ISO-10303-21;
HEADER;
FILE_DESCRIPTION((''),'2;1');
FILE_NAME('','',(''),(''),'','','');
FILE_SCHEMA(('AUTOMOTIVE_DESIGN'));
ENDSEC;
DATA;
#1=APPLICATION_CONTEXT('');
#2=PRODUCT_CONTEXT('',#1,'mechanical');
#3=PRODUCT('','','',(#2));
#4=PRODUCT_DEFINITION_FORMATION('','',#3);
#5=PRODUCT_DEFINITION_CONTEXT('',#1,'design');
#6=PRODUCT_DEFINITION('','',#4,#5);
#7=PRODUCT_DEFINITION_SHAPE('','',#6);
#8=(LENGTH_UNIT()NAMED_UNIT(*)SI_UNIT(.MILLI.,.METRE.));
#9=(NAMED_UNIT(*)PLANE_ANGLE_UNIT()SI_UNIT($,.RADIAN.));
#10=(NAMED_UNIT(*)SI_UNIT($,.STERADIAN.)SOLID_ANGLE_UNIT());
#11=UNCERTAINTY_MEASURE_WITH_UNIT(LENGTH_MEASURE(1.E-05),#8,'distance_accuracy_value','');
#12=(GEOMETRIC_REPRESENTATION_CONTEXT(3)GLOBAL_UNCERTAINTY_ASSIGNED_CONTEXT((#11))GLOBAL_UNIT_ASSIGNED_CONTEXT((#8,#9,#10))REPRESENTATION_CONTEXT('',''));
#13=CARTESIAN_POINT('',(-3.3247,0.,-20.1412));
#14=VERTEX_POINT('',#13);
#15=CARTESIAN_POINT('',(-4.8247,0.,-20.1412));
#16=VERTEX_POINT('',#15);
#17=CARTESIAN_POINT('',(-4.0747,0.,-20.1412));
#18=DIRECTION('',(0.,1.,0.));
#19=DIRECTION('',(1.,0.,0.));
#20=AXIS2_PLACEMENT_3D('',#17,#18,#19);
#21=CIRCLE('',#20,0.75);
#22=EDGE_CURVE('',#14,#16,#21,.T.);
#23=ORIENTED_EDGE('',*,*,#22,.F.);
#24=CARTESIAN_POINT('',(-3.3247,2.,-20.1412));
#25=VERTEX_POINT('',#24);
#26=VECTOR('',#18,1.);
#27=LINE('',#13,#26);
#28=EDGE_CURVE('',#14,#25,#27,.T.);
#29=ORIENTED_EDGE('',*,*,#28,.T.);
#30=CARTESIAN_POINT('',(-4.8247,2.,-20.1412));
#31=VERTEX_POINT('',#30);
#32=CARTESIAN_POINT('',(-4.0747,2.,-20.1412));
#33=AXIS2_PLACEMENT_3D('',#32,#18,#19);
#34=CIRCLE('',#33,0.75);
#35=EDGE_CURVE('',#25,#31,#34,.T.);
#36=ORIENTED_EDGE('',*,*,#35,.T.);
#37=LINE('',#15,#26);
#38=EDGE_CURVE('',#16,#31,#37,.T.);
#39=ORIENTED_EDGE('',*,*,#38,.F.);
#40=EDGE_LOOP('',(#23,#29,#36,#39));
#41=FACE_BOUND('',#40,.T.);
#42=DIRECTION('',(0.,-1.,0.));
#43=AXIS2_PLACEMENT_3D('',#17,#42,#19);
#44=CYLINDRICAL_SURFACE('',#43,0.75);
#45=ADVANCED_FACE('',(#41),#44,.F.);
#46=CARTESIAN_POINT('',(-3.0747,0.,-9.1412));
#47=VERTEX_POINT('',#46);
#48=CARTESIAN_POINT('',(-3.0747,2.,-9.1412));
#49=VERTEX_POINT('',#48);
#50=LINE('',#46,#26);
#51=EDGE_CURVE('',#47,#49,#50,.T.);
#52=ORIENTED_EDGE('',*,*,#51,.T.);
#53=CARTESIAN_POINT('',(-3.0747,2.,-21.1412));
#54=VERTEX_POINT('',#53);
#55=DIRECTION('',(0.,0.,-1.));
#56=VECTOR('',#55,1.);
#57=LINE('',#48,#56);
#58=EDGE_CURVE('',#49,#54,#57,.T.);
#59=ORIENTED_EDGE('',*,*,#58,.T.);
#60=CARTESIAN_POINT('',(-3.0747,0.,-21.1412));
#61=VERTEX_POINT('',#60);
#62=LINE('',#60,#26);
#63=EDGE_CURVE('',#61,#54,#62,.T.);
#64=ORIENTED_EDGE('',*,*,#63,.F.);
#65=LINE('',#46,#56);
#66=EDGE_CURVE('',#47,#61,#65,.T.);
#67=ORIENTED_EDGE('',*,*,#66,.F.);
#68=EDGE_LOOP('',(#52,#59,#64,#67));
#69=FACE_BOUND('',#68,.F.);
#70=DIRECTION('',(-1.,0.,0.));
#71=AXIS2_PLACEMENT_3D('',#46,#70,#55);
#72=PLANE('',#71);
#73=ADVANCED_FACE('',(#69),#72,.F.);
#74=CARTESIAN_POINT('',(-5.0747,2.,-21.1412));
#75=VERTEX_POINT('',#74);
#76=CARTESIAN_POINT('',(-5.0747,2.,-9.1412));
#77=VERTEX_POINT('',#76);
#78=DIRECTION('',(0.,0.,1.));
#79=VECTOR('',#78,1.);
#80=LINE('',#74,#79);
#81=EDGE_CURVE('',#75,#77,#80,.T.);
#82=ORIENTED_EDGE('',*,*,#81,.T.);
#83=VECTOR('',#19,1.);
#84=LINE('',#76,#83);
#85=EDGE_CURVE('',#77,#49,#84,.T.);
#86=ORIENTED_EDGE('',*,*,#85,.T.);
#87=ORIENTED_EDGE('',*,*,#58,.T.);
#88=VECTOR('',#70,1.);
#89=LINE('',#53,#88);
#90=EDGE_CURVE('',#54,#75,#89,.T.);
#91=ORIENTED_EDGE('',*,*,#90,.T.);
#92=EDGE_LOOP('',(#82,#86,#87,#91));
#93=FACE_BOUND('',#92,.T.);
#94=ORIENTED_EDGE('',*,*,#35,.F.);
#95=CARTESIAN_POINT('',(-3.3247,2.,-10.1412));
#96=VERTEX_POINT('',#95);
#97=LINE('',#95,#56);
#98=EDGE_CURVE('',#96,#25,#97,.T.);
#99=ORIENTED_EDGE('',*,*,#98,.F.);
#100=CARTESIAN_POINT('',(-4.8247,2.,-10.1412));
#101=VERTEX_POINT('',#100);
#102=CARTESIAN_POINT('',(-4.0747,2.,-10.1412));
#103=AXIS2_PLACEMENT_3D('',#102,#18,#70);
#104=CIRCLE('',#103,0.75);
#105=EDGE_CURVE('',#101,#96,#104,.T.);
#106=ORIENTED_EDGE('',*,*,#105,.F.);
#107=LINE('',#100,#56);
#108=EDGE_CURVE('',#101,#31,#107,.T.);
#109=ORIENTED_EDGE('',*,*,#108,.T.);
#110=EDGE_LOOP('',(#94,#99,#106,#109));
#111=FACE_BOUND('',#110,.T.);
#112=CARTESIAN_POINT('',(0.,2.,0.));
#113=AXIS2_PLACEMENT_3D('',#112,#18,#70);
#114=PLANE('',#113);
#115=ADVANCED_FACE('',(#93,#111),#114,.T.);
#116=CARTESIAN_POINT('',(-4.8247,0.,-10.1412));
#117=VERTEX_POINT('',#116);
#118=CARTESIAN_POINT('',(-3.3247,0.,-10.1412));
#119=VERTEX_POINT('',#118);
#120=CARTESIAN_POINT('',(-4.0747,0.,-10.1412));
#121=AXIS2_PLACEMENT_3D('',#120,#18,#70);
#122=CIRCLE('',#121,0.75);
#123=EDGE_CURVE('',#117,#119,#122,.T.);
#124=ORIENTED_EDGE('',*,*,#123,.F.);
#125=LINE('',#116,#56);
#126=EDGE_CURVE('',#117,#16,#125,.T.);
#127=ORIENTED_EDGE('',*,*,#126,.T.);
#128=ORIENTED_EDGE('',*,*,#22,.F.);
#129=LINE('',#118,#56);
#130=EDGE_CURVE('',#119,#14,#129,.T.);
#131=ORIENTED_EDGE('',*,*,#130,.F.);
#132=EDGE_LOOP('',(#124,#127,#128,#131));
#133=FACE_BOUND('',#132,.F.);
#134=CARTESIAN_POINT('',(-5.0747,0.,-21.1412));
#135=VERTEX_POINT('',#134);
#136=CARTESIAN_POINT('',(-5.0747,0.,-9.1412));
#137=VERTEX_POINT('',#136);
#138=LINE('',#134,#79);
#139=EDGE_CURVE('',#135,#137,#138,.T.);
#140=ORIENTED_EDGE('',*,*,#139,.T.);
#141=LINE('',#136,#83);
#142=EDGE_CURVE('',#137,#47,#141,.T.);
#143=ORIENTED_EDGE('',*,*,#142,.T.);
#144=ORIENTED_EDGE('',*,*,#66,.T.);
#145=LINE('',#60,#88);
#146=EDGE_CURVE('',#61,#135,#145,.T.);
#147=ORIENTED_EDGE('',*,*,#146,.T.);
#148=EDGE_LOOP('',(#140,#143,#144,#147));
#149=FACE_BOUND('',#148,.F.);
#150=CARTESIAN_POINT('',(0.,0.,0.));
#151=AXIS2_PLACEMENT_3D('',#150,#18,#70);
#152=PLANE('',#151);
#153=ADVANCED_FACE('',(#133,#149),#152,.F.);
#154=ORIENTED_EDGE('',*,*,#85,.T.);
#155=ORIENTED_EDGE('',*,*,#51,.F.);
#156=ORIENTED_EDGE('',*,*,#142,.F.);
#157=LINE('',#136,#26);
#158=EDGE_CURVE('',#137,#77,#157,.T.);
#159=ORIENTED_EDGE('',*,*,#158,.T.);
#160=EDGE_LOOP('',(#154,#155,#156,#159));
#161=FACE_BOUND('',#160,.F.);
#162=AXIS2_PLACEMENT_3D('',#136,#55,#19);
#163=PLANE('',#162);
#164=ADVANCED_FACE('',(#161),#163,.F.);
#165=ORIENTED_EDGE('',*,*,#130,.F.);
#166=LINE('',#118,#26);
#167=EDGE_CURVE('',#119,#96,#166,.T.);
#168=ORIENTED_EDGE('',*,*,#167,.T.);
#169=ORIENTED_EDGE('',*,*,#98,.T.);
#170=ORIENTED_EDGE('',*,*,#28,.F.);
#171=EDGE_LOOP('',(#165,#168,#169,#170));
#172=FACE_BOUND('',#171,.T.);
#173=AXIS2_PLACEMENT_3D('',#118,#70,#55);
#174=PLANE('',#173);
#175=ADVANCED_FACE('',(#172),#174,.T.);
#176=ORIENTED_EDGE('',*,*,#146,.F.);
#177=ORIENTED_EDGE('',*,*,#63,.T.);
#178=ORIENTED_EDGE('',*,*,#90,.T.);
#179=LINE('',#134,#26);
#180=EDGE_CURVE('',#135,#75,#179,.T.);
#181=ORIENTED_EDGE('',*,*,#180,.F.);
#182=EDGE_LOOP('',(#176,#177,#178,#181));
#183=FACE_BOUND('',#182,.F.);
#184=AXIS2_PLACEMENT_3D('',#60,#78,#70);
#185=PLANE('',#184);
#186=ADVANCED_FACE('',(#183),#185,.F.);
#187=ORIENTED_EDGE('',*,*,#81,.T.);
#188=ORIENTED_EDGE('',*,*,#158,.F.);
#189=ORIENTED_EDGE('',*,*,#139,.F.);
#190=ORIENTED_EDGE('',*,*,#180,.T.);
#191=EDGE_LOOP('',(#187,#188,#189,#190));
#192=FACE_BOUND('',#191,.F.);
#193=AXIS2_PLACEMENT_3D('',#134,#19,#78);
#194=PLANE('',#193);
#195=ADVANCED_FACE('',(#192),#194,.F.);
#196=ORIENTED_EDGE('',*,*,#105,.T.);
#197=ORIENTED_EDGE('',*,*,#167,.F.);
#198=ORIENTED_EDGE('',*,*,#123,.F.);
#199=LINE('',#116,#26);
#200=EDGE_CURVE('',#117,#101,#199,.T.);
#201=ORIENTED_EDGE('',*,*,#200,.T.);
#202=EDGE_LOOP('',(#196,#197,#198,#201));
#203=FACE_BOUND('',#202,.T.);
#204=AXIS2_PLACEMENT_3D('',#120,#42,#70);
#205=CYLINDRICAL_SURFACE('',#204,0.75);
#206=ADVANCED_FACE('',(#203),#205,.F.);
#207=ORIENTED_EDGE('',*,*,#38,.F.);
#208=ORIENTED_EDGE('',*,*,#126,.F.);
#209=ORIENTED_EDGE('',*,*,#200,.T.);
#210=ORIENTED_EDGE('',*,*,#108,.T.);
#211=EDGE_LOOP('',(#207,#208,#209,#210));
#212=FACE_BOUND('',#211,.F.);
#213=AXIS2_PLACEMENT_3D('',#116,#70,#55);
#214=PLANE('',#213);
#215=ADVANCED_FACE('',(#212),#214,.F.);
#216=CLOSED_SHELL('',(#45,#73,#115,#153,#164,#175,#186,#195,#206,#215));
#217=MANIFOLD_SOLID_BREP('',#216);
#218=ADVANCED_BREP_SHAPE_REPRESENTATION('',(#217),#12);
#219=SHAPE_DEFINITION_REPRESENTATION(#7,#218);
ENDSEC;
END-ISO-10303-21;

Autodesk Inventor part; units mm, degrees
ref_plane "YZ Plane" through (0, 0, 0) normal (1, 0, 0) x (0, 1, 0)
ref_plane "XZ Plane" through (0, 0, 0) normal (0, 1, 0) x (-1, 0, 0)
ref_plane "XY Plane" through (0, 0, 0) normal (0, 0, 1) x (1, 0, 0)
sketch "草圖1" plane through (0, 0, 0) normal (0, 1, 0) x (-1, 0, 0)
  line L0 (5.0747, -9.1412) -> (3.0747, -9.1412)
  line L1 (3.0747, -9.1412) -> (3.0747, -21.1412)
  line L2 (3.0747, -21.1412) -> (5.0747, -21.1412)
  line L3 (5.0747, -21.1412) -> (5.0747, -9.1412)
  arc A0 (4.8247, -10.1412) -> (3.3247, -10.1412) centre (4.0747, -10.1412) ccw
  arc A1 (3.3247, -20.1412) -> (4.8247, -20.1412) centre (4.0747, -20.1412) ccw
  line L4 (4.8247, -10.1412) -> (4.8247, -20.1412)
  line L5 (3.3247, -10.1412) -> (3.3247, -20.1412)
  point P0 (0, 0)
  dimension "d3" = 1.5
  dimension "d4" = 2
  dimension "d5" = 1
  dimension "d6" = 1
  dimension "d7" = 1
  dimension "d8" = 12
extrude "擠出1" add sketch "草圖1" along normal blind 2
